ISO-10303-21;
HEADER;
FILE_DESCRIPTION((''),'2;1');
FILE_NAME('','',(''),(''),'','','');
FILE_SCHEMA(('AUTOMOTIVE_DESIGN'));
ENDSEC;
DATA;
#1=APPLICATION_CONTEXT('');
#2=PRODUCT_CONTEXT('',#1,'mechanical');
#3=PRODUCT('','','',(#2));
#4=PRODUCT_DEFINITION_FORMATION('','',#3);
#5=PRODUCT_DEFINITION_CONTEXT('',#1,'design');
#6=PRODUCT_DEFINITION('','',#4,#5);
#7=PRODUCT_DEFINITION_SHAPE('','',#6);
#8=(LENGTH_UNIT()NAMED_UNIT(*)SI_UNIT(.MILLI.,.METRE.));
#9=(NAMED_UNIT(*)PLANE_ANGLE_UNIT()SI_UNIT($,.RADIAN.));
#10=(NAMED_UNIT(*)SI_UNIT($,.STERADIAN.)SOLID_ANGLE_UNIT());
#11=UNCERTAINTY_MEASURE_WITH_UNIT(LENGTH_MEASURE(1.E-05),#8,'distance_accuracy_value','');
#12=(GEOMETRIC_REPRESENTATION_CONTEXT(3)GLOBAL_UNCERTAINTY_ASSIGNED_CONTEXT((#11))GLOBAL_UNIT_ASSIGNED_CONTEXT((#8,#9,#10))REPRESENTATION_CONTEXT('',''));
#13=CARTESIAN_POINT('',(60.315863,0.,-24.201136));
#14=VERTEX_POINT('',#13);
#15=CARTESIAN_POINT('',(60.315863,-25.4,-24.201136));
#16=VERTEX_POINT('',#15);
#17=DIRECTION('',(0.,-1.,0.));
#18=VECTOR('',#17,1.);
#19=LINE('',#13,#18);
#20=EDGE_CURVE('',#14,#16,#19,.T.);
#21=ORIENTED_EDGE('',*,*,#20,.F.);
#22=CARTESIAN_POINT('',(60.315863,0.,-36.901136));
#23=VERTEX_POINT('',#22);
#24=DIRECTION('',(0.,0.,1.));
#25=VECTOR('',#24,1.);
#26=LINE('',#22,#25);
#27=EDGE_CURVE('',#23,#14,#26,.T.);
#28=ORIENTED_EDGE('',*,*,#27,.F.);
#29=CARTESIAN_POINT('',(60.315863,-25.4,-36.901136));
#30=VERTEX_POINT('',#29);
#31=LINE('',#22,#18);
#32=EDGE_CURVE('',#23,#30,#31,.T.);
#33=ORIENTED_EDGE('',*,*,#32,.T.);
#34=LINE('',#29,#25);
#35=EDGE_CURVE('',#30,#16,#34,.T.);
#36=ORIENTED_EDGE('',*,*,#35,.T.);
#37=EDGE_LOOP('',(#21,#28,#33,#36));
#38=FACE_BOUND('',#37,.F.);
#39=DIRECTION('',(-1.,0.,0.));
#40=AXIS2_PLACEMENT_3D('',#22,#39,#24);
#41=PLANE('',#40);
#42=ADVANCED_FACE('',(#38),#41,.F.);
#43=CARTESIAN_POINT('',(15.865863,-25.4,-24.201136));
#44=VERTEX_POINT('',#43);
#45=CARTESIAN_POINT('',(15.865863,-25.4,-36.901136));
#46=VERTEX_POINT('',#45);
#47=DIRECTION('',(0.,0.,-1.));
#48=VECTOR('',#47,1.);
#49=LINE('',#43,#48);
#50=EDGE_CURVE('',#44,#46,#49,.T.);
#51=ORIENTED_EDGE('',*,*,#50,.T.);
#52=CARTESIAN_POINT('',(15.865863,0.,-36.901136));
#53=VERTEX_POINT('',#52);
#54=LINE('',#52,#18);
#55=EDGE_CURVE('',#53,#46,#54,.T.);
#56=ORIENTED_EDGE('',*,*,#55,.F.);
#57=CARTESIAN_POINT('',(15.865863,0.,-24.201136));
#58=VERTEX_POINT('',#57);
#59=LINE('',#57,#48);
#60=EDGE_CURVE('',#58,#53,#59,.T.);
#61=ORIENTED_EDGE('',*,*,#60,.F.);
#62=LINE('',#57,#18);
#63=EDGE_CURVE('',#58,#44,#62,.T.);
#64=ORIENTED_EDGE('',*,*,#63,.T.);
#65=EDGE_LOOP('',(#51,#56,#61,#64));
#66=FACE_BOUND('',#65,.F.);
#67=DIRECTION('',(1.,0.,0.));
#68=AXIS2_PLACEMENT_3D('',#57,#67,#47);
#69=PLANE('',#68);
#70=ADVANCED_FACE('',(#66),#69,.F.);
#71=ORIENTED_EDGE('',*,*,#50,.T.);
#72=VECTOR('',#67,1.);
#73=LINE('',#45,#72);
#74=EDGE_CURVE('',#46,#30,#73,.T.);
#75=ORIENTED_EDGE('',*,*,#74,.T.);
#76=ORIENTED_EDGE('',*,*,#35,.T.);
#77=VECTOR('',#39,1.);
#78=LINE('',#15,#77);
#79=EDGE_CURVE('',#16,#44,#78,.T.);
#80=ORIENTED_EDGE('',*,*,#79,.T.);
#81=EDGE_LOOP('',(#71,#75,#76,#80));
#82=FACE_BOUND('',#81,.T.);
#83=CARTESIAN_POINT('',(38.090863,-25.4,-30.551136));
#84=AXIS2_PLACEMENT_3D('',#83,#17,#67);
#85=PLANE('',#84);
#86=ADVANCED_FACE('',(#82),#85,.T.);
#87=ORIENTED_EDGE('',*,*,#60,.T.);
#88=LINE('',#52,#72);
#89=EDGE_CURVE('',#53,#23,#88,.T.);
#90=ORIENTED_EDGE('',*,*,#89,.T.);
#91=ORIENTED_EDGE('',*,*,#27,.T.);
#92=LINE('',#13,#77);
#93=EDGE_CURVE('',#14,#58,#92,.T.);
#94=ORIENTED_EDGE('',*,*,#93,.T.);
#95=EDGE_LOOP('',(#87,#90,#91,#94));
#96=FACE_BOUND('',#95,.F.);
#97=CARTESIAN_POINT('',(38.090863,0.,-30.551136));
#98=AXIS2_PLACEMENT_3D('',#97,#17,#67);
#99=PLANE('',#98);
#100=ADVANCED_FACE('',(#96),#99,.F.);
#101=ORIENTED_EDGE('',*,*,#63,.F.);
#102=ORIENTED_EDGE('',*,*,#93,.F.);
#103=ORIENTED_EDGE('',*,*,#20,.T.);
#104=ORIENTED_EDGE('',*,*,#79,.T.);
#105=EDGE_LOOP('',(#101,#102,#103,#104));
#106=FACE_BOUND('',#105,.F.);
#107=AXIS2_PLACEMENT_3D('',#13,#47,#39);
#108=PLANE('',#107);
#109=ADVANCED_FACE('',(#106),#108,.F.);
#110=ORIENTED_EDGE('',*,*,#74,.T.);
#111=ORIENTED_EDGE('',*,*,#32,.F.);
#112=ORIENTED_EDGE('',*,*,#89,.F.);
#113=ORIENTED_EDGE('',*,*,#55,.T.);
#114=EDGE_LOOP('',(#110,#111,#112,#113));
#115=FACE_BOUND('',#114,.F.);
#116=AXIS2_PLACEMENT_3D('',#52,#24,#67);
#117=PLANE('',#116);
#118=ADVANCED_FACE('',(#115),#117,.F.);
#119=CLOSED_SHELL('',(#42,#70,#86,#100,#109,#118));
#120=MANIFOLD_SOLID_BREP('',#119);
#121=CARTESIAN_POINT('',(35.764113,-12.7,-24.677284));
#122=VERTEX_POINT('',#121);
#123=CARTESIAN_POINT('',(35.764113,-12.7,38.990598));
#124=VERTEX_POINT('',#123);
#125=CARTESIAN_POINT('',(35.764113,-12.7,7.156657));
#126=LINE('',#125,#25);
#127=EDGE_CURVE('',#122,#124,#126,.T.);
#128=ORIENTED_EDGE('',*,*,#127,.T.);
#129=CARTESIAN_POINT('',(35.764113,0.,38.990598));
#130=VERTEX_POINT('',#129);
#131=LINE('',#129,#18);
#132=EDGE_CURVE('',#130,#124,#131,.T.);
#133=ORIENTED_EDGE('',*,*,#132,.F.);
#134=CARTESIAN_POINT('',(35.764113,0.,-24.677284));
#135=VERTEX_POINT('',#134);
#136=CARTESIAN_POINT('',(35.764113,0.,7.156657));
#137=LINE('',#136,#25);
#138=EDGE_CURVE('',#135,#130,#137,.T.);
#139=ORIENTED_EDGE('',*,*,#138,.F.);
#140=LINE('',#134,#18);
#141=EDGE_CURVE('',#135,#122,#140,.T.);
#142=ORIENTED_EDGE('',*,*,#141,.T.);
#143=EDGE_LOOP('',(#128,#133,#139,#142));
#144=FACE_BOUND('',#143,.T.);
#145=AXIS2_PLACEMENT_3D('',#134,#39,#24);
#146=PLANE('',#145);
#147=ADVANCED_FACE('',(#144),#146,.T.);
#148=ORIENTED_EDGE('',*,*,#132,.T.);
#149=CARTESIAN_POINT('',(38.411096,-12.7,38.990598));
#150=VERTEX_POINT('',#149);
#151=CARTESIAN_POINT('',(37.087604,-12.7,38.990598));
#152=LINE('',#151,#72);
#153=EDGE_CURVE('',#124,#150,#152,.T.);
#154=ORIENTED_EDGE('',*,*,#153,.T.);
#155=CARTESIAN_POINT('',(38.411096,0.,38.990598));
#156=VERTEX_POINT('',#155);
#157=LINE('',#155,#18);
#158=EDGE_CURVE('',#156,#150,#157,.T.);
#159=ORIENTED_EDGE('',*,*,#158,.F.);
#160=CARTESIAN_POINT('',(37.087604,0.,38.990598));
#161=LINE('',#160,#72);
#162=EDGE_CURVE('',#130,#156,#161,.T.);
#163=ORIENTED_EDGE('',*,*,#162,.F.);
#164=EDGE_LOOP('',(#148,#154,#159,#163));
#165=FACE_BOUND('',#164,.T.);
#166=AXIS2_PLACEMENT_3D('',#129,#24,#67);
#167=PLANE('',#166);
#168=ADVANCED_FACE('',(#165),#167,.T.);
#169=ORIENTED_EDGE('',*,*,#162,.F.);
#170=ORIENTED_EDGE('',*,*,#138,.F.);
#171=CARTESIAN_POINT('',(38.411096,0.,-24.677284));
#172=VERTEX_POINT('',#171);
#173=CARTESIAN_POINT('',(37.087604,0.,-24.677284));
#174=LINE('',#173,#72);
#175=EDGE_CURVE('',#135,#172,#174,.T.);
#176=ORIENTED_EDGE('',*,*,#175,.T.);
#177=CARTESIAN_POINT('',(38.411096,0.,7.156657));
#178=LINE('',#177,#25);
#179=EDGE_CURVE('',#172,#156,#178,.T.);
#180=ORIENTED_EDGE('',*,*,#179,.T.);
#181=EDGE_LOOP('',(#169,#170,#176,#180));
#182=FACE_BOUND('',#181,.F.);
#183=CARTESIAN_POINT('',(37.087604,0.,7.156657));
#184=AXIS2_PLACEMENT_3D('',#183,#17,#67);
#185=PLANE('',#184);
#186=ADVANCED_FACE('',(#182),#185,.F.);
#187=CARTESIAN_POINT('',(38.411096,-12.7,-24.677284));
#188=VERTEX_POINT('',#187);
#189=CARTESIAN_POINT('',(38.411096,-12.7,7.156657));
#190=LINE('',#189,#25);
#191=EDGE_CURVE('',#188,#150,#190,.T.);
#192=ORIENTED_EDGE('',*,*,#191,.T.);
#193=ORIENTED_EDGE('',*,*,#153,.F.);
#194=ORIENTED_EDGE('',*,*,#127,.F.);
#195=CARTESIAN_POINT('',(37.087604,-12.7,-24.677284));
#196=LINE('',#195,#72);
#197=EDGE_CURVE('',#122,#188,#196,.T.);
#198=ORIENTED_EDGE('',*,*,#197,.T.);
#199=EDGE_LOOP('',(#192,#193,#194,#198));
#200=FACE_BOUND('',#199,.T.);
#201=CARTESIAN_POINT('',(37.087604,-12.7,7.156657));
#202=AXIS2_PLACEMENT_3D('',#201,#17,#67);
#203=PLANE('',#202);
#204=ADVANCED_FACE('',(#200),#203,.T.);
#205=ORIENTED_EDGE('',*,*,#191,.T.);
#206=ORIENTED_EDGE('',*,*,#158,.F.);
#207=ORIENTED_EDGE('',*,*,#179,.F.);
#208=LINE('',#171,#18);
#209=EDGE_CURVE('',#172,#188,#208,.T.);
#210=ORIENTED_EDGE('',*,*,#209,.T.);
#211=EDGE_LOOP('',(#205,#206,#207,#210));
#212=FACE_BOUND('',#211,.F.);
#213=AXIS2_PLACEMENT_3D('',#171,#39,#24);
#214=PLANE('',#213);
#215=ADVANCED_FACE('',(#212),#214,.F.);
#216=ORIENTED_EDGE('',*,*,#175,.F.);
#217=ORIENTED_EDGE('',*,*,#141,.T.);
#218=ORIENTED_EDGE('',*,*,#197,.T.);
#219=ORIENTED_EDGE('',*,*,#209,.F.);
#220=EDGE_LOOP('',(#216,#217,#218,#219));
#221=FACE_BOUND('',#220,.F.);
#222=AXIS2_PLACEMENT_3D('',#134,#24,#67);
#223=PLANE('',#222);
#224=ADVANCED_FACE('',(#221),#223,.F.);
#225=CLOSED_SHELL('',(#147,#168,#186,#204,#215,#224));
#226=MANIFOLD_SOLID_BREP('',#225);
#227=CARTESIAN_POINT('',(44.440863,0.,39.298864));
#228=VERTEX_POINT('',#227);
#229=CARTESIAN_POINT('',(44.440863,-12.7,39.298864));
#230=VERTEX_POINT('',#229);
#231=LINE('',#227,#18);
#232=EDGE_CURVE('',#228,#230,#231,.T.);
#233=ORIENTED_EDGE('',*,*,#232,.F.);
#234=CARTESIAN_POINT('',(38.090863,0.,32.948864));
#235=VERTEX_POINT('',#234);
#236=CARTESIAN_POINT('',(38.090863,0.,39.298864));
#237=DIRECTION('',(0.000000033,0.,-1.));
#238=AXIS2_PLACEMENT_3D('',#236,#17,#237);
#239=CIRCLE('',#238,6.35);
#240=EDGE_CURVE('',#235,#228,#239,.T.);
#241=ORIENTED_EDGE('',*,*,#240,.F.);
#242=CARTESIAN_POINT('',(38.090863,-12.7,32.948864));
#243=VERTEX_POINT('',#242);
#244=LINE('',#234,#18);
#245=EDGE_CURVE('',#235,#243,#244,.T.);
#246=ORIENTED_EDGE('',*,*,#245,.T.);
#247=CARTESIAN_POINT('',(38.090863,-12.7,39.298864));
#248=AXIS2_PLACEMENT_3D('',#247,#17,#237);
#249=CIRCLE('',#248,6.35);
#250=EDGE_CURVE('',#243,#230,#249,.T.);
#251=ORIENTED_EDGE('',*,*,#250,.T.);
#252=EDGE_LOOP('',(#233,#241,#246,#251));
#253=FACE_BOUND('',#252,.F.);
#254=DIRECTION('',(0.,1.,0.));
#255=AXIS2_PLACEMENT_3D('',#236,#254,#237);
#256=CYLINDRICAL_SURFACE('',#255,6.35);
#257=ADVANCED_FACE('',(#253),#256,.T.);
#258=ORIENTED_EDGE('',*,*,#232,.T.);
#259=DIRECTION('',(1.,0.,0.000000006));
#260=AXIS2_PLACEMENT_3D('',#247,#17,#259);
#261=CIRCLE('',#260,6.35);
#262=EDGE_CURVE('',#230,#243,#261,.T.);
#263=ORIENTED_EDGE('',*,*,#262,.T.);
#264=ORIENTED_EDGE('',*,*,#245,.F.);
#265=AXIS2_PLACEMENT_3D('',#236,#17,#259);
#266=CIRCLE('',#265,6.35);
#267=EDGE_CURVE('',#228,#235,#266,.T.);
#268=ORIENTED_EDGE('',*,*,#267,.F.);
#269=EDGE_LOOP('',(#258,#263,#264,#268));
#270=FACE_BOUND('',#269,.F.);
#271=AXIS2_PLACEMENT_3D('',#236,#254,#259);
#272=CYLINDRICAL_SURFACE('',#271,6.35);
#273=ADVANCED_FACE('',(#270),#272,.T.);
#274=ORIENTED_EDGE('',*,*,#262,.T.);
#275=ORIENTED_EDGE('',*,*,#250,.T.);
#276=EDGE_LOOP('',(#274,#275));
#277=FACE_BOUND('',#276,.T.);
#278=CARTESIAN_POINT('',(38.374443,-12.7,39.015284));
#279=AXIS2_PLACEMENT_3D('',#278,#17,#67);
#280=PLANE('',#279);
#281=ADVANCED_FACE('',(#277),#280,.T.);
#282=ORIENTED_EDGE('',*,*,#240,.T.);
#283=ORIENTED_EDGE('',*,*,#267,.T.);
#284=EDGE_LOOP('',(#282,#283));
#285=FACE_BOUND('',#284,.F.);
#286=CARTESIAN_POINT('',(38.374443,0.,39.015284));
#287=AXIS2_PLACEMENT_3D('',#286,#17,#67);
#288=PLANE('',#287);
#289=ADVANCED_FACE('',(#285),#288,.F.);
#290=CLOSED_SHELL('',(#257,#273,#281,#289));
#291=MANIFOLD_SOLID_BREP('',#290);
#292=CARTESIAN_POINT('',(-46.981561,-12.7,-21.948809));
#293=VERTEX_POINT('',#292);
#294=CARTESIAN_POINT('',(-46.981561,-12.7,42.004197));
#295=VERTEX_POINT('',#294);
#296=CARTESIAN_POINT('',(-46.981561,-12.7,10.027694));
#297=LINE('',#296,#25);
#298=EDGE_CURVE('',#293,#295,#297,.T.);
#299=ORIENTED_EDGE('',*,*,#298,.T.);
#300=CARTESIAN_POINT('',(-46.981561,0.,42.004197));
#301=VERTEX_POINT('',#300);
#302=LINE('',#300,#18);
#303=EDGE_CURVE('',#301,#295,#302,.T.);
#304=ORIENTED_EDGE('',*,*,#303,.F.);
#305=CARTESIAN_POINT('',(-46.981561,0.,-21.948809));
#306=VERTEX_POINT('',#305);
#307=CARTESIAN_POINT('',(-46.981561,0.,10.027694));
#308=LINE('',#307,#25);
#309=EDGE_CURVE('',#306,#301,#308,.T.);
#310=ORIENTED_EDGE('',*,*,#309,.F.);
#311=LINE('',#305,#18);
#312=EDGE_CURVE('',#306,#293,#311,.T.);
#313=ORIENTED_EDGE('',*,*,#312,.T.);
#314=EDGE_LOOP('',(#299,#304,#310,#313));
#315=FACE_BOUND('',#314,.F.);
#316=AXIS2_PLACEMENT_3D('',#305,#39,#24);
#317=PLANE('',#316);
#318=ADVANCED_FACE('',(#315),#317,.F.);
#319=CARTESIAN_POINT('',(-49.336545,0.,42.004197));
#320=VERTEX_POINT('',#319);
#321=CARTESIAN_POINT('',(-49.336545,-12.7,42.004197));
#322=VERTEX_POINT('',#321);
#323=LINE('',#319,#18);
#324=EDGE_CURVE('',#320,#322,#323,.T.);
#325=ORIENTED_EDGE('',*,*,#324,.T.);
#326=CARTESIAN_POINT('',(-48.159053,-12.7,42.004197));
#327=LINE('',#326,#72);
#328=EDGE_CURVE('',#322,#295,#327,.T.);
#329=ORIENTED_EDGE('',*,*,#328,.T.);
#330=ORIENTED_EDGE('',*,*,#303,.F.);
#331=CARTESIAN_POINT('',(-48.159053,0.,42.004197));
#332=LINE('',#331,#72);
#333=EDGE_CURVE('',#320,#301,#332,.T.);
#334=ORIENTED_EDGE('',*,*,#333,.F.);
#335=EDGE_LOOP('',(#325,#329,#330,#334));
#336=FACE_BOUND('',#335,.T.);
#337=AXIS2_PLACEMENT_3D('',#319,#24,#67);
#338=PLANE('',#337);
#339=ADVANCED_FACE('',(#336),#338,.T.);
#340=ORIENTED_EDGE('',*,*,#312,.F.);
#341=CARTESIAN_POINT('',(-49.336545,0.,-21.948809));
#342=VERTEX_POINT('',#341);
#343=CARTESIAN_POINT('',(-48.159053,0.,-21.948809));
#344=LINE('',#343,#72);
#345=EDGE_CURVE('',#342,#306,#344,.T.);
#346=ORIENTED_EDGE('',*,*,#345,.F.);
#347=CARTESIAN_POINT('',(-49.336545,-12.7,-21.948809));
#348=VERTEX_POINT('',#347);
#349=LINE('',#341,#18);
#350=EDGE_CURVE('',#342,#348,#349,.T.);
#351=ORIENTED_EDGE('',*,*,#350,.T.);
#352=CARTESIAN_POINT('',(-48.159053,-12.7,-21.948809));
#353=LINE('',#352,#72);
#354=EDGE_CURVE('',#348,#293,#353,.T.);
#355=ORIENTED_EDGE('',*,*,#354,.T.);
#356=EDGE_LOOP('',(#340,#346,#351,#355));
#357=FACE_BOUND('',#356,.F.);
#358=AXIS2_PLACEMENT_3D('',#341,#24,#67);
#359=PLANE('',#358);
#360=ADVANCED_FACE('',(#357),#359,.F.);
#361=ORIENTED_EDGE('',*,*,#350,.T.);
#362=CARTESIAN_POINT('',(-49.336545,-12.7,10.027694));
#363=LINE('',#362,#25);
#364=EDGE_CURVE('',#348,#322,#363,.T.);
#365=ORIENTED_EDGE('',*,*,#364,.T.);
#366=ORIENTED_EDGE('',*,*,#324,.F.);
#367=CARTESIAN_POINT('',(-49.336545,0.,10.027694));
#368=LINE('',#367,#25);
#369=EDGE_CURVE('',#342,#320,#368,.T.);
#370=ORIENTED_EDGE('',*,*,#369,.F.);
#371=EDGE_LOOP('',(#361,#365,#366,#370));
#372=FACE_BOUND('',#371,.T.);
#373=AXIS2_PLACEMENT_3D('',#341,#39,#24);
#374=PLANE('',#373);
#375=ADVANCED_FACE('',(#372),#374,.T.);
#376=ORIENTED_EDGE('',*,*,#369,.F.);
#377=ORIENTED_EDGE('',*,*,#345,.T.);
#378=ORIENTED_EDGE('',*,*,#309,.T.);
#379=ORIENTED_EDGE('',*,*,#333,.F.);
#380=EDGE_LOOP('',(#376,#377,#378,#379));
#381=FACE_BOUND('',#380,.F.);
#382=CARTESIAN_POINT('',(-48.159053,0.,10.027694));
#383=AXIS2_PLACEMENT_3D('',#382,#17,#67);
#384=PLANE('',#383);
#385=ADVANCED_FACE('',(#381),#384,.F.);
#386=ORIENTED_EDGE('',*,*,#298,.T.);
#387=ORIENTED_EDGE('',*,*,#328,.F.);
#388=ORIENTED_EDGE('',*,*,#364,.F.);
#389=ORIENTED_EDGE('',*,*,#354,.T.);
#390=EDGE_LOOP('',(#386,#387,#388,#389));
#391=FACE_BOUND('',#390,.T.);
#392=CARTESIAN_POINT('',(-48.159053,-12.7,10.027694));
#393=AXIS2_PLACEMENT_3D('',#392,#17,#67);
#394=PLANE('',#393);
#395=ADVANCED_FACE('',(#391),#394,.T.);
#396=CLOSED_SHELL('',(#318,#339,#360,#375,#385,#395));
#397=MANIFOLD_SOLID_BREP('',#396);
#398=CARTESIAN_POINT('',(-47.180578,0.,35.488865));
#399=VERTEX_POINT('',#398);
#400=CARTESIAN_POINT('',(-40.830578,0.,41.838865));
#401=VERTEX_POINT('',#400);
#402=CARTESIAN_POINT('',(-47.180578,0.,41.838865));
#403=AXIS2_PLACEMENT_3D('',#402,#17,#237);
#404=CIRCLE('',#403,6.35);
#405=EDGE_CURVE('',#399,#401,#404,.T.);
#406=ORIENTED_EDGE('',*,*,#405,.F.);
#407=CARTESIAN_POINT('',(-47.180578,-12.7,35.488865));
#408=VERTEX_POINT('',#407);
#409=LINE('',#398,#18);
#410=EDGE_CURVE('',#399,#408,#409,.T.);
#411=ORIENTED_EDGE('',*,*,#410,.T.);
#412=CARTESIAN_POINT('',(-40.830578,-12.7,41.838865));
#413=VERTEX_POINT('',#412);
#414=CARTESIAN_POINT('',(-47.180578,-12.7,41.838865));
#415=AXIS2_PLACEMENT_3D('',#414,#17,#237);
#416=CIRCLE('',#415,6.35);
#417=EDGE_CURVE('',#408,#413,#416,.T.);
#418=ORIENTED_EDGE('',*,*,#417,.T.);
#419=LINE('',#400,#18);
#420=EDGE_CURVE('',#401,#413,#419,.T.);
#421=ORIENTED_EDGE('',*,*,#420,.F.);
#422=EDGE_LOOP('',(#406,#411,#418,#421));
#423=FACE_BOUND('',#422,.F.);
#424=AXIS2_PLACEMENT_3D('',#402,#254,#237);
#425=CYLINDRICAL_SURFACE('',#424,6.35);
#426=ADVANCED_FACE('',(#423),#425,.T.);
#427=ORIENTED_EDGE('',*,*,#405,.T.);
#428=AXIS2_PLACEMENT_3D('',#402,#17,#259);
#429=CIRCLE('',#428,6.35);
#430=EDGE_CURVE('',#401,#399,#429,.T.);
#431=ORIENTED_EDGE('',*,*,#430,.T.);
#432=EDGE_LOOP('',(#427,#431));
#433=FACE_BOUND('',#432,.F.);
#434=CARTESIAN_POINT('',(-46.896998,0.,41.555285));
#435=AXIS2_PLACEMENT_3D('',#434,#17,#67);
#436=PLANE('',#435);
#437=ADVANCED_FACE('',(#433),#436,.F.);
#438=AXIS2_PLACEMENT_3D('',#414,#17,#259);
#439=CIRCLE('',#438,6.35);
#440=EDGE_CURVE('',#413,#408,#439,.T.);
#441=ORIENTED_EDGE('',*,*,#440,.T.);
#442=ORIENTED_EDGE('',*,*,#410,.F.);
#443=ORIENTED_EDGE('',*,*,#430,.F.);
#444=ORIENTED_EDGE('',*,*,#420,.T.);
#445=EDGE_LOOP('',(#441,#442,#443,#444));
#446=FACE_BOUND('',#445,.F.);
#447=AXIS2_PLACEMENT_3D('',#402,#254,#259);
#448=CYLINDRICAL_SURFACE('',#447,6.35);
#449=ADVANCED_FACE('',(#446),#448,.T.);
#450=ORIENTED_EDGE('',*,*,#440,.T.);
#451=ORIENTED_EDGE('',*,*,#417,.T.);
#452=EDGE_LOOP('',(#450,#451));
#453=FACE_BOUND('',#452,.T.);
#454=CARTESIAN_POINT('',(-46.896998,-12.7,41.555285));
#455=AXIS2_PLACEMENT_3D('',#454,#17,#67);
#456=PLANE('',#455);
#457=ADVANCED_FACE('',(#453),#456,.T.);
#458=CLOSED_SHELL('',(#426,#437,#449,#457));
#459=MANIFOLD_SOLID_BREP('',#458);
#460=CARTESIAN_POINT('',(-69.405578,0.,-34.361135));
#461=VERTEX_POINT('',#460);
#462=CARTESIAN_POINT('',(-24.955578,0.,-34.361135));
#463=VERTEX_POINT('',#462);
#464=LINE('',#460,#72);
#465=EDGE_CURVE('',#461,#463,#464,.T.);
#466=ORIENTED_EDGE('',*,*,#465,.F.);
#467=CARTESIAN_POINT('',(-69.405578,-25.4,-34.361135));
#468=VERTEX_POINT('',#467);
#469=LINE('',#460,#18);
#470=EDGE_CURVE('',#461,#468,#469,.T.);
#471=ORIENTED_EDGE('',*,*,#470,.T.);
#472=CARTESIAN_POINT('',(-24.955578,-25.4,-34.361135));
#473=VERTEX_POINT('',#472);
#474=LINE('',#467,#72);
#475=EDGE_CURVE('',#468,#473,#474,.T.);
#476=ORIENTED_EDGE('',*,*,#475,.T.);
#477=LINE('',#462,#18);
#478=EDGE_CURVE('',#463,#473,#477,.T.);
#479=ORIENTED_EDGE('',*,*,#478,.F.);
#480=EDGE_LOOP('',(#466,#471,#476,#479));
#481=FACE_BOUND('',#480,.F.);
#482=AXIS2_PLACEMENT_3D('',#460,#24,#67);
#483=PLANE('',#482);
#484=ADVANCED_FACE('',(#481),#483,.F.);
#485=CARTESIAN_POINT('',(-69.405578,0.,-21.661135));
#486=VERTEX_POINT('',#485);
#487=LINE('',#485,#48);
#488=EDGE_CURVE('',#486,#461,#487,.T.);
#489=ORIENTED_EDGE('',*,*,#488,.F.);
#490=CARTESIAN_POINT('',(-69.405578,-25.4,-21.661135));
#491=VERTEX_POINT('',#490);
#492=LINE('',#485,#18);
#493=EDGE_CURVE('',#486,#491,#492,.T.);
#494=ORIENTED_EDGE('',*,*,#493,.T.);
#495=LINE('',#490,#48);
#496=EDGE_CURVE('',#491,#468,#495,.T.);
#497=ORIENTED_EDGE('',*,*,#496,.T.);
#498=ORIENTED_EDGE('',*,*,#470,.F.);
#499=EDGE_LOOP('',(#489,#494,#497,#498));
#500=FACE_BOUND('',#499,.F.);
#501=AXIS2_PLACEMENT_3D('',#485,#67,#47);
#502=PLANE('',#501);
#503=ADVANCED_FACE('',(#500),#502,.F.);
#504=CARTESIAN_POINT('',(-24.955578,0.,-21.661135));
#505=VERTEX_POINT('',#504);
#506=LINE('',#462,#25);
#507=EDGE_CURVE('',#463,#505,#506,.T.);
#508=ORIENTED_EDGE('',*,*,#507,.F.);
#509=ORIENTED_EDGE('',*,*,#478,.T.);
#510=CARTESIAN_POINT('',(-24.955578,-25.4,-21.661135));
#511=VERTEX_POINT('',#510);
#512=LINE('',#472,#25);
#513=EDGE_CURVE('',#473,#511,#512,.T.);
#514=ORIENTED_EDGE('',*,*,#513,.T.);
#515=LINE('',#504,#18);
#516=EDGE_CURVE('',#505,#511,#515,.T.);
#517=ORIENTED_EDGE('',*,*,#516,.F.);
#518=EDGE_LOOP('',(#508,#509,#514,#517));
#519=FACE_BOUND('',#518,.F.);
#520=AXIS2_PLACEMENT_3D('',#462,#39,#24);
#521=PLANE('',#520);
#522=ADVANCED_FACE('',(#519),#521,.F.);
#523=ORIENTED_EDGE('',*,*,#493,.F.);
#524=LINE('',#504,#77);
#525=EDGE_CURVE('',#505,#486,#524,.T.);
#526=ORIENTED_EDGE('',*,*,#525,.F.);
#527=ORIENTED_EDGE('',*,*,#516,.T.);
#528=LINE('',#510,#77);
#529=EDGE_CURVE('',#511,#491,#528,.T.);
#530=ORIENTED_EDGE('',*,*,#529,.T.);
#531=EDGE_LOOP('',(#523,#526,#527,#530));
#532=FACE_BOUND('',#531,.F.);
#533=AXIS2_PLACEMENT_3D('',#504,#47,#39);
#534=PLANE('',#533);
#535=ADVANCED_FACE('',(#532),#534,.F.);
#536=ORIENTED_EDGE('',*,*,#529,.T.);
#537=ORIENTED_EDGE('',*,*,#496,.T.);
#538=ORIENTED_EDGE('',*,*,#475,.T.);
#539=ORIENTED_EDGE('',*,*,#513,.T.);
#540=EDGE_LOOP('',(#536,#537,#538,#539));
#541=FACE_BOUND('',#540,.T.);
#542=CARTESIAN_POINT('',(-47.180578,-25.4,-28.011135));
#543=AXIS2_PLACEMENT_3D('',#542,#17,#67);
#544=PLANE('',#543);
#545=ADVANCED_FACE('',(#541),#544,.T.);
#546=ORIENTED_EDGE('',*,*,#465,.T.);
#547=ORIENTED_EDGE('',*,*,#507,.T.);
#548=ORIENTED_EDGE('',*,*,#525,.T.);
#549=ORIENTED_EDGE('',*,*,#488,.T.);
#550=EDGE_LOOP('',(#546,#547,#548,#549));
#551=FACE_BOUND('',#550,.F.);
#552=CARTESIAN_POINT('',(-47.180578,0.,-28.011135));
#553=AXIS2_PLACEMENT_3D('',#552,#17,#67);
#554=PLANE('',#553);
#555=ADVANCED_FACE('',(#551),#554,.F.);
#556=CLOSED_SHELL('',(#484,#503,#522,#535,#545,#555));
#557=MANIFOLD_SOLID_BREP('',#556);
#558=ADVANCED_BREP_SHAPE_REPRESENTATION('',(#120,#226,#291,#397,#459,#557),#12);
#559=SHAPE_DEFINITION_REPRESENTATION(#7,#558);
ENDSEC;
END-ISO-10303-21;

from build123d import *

# Parameters (mm, degrees)
F1_DEPTH = 25.4
F2_DEPTH = 12.7
F3_W     = 2.646983
F3_H     = 63.667882
F3_W_2   = 2.354983
F3_H_2   = 63.953007
F4_DEPTH = 12.7


with BuildPart() as f1:
    # F0 (on Front) → F1 (new body)
    with BuildSketch(Plane.XZ):
        Polygon((-47.180578, -21.661135), (-69.405578, -21.661135), (-69.405578, -34.361135), (-24.955578, -34.361135), (-24.955578, -21.661135), align=None)
        Polygon((38.090863, -24.201136), (15.865863, -24.201136), (15.865863, -36.901136), (60.315863, -36.901136), (60.315863, -24.201136), align=None)
    extrude(amount=F1_DEPTH)


with BuildPart() as f2:
    # F0 (on Front) → F2 (new body)
    with BuildSketch(Plane.XZ):
        with BuildLine():
            ThreePointArc((44.440863, 39.298864), (33.600735, 43.788992), (38.090863, 32.948864))
            ThreePointArc((38.090863, 32.948864), (42.580991, 34.808736), (44.440863, 39.298864))
        make_face()
        with BuildLine():
            ThreePointArc((-40.830578, 41.838865), (-51.670706, 46.328993), (-47.180578, 35.488865))
            ThreePointArc((-47.180578, 35.488865), (-42.69045, 37.348737), (-40.830578, 41.838865))
        make_face()
    extrude(amount=F2_DEPTH)


with BuildPart() as f4:
    # F3 (on Front) → F4 (new body)
    with BuildSketch(Plane.XZ):
        with Locations((37.087604, 7.156657)):
            Rectangle(F3_W, F3_H)
        with Locations((-48.159053, 10.027694)):
            Rectangle(F3_W_2, F3_H_2)
    extrude(amount=F4_DEPTH)


solid = Compound([f1.part, f2.part, f4.part])
